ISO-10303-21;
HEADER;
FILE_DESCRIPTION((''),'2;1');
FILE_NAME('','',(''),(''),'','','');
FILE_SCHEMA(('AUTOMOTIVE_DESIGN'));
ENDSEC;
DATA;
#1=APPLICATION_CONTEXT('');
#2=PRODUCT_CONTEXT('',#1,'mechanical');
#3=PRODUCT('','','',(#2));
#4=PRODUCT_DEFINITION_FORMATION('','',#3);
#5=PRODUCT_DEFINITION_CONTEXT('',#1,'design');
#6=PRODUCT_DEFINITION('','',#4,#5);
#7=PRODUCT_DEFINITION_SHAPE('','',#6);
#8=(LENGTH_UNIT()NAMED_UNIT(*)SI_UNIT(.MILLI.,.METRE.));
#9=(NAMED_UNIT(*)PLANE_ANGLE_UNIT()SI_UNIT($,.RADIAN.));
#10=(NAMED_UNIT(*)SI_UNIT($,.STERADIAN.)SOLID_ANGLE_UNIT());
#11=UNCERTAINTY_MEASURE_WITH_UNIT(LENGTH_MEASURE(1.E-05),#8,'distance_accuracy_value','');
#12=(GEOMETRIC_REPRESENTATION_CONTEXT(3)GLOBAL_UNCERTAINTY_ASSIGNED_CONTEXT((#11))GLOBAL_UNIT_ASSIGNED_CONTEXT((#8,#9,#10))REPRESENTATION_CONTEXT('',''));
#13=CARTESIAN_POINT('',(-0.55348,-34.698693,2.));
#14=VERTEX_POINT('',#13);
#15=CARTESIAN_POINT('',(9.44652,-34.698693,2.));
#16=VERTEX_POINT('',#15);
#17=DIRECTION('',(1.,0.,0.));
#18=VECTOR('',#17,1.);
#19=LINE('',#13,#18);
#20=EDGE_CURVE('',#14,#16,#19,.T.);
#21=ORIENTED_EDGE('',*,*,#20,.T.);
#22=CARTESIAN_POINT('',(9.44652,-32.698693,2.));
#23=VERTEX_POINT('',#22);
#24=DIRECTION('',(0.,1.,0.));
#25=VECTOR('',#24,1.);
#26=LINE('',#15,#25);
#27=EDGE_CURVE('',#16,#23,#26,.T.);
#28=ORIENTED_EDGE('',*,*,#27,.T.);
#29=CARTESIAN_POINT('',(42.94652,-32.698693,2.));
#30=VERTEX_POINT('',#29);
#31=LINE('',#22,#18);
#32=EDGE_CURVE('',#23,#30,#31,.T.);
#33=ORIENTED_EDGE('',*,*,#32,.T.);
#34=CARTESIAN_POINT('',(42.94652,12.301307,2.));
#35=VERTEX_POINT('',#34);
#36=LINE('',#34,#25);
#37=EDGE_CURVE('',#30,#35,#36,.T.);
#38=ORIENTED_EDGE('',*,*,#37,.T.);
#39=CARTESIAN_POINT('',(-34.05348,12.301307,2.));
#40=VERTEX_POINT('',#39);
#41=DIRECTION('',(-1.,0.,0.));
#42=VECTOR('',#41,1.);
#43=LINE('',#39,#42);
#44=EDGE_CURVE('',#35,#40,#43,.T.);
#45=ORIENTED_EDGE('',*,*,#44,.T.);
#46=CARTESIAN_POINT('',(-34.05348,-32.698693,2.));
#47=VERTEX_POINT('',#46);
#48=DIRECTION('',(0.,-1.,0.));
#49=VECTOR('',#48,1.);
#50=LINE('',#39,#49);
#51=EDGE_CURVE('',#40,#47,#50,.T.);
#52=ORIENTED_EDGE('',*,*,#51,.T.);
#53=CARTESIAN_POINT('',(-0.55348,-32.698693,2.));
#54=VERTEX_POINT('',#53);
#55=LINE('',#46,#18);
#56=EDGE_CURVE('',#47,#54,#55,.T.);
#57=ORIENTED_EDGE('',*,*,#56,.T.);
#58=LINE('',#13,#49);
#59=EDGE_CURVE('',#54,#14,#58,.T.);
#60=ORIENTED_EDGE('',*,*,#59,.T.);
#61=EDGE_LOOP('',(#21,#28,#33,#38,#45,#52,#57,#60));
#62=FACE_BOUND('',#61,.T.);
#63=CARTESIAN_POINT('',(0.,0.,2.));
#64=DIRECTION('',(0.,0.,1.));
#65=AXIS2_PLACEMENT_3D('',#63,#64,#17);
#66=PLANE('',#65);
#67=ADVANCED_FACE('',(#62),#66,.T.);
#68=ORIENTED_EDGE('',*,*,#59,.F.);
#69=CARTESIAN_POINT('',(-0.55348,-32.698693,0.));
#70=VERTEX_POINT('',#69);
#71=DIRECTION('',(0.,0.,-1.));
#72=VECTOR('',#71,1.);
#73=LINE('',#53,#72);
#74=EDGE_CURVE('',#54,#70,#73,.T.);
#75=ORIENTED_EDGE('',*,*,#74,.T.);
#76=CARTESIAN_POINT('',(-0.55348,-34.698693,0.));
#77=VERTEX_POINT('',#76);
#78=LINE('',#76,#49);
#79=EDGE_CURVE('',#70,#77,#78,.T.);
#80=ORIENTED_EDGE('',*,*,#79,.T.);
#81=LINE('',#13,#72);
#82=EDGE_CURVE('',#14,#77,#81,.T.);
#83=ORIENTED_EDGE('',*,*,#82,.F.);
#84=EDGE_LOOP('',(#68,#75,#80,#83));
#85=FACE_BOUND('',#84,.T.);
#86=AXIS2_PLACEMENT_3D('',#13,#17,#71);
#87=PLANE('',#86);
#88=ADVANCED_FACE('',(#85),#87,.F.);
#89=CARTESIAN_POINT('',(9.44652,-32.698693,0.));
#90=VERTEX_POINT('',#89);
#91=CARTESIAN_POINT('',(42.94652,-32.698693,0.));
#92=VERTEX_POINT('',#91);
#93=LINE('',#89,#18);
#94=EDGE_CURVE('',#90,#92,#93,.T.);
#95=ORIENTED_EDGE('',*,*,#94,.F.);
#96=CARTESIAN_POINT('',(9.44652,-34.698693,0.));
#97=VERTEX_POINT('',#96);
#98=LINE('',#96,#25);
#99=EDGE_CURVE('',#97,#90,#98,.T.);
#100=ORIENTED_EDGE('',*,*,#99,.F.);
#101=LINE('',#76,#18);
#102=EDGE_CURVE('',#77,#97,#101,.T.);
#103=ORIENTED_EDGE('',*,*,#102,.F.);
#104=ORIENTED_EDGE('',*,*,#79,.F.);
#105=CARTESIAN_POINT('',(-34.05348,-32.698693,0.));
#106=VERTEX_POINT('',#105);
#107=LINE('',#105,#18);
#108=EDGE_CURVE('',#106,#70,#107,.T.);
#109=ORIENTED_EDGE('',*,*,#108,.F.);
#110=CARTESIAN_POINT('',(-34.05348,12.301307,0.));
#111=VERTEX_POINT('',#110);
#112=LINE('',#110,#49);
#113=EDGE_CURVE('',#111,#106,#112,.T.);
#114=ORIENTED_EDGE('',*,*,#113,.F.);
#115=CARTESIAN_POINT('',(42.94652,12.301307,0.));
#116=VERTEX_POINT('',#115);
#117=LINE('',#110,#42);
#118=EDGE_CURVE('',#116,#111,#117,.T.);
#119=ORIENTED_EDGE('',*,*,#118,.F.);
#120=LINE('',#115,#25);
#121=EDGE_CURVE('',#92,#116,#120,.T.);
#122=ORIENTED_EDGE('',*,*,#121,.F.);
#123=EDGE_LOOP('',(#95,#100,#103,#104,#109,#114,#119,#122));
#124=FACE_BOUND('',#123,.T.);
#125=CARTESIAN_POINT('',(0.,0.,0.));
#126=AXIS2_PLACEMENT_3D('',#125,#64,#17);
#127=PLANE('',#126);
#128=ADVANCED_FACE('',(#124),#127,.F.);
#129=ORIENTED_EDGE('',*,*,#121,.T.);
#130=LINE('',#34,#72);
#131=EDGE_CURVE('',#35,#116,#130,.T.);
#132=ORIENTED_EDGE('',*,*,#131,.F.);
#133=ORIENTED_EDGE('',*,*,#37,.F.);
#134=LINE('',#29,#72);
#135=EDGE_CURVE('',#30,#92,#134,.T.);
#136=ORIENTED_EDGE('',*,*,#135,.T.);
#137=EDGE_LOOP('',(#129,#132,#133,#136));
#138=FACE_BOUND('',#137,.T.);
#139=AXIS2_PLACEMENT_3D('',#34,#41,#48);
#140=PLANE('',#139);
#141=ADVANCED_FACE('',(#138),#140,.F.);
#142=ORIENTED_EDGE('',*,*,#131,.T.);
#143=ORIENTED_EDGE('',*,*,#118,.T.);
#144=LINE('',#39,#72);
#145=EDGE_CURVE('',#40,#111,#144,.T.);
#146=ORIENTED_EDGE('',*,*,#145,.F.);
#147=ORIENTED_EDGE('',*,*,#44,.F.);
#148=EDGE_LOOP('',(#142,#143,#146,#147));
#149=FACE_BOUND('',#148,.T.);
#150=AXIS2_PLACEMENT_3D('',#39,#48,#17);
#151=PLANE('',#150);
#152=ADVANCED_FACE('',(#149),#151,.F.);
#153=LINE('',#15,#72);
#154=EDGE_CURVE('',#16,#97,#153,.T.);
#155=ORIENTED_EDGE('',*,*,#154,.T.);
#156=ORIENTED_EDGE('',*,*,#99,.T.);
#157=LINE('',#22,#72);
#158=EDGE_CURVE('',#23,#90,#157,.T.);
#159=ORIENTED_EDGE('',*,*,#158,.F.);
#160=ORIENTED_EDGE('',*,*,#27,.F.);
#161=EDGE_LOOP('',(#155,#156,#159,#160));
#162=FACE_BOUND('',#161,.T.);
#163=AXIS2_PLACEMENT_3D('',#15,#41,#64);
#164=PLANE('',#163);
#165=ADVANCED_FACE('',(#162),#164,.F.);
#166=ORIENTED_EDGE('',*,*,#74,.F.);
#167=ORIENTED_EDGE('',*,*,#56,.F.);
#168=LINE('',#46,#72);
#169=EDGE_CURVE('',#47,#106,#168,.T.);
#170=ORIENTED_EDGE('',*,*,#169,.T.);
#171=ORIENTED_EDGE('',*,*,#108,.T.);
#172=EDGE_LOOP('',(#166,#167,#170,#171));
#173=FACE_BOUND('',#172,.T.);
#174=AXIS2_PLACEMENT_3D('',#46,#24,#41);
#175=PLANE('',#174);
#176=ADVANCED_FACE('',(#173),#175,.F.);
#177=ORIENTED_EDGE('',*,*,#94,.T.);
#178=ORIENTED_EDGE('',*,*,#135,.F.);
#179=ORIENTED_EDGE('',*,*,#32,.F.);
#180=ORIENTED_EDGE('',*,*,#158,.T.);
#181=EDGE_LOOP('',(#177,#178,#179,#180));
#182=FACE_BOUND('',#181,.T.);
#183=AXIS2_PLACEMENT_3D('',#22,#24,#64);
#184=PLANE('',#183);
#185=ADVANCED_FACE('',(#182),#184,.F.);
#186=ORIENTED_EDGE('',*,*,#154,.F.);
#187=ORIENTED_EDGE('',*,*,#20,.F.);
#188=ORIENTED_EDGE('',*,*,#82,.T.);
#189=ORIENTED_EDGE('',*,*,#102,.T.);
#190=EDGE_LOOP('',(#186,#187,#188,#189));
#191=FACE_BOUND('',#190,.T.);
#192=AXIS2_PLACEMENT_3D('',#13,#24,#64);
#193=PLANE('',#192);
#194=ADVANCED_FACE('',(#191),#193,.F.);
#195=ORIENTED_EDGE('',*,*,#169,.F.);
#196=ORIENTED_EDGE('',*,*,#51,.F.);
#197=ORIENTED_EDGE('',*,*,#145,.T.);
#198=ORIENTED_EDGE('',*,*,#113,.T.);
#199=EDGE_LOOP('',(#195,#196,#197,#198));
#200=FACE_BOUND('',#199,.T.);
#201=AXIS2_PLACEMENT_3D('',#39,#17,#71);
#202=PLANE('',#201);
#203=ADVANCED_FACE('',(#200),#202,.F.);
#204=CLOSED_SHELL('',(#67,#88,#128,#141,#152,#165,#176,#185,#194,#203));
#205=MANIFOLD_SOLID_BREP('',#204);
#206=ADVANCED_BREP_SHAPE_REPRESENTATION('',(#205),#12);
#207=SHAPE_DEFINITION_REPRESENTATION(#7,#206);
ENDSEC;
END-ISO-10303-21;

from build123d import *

# Parameters (mm, degrees)
EXTRUDE_1_DEPTH = 2


with BuildPart() as part:
    # 草图2 → 凸台-拉伸1 (new body)
    with BuildSketch(Plane.XY):
        Polygon((9.446519886, -32.698693295), (42.946519886, -32.698693295), (42.946519886, 12.301306705), (-34.053480114, 12.301306705), (-34.053480114, -32.698693295), (-0.553480114, -32.698693295), (-0.553480114, -34.698693295), (9.446519886, -34.698693295), align=None)
    extrude(amount=EXTRUDE_1_DEPTH)


solid = part.part
